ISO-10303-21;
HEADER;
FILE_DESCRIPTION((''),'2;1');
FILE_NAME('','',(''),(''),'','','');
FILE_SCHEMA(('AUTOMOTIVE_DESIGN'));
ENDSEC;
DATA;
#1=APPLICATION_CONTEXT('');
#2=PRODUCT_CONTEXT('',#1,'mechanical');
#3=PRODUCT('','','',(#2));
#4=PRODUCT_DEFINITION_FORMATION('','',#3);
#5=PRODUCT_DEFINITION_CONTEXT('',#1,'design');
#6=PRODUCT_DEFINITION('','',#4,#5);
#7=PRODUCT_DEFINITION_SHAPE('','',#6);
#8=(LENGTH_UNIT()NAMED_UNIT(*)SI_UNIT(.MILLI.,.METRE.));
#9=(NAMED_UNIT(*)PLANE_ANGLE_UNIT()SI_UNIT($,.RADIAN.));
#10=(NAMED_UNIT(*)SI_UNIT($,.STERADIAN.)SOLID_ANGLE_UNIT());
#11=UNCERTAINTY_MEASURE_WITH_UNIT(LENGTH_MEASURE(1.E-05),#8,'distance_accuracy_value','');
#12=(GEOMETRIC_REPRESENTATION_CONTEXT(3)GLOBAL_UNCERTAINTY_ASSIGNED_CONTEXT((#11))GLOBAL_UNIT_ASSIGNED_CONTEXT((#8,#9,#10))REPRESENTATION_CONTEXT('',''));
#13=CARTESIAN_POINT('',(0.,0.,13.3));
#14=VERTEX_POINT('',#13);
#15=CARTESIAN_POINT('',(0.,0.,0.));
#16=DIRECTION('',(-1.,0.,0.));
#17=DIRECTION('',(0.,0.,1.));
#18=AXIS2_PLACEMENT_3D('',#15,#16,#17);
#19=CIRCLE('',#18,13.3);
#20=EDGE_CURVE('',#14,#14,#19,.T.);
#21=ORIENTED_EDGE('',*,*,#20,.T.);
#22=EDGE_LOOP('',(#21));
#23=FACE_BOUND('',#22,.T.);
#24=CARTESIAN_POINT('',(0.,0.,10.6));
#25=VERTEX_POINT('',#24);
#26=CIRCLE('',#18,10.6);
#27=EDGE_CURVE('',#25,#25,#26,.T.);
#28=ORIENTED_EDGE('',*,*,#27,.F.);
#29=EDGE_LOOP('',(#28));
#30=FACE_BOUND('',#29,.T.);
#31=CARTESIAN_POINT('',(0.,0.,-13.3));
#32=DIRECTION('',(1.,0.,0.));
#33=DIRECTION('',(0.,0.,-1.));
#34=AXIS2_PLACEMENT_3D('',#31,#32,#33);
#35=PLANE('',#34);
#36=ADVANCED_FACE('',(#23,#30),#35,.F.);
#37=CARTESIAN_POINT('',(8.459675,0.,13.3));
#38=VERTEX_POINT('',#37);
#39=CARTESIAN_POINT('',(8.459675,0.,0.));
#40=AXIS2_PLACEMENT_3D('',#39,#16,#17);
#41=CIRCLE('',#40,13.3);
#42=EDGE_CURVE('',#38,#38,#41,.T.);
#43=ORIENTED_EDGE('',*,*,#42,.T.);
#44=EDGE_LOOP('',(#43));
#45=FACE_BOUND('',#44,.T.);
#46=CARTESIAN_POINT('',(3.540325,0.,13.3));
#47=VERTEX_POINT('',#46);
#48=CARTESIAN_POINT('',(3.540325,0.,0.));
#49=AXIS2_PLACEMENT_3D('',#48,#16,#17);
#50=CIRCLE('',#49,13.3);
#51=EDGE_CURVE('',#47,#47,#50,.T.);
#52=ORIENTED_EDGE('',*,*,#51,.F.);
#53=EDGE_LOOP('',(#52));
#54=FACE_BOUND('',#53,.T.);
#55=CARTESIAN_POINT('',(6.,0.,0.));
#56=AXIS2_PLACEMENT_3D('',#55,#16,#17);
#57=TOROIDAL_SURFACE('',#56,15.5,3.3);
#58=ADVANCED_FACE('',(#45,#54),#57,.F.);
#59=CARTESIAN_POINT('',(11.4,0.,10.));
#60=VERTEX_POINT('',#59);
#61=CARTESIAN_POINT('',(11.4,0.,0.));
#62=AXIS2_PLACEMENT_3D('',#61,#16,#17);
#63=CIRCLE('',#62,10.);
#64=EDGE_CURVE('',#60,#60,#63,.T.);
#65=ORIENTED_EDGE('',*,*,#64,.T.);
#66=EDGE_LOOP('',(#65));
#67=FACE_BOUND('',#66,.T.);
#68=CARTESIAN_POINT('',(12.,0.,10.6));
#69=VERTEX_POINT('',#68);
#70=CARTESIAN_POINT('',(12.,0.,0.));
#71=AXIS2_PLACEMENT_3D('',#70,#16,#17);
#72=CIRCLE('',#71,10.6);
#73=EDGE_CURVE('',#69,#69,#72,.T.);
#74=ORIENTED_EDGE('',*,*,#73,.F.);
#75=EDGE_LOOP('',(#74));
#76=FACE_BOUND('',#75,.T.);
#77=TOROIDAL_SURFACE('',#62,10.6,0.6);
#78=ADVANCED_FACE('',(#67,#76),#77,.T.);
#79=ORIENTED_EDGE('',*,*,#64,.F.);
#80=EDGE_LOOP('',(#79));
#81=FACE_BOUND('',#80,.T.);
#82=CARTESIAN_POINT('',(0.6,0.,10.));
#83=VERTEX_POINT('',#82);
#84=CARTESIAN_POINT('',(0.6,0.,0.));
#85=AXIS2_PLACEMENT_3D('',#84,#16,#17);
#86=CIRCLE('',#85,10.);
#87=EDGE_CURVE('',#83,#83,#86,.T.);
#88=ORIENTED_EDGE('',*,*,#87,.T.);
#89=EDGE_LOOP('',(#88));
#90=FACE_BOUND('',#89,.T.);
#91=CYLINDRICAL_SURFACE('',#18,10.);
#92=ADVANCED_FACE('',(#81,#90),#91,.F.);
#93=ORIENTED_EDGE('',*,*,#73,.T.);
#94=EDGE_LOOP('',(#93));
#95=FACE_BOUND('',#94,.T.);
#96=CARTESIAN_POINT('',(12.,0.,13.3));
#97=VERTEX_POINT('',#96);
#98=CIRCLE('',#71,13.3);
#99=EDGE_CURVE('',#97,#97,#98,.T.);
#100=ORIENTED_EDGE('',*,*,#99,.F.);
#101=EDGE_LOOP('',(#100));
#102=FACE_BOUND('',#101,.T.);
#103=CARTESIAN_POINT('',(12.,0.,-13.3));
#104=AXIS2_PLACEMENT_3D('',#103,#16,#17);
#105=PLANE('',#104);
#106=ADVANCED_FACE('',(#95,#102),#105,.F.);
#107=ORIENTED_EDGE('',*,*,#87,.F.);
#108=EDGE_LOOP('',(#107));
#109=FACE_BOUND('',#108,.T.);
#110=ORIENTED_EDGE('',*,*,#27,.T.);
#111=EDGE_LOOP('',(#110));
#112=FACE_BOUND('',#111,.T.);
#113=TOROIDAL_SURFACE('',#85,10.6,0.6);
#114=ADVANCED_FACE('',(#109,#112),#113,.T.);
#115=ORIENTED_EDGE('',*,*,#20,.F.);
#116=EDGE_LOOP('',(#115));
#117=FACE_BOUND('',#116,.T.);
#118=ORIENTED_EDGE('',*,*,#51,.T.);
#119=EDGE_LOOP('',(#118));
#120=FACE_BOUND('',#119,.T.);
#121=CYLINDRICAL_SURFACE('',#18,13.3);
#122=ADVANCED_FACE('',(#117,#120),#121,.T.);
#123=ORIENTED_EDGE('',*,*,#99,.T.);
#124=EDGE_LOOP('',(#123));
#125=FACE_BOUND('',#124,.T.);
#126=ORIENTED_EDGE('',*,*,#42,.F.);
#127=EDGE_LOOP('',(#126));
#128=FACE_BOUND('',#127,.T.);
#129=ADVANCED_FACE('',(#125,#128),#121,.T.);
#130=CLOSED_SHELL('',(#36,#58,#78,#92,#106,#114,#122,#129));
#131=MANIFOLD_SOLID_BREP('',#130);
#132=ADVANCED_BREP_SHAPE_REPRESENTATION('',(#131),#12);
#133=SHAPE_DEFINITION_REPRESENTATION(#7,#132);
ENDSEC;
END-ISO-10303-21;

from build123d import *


with BuildPart() as part:
    # Esquisse1 → Base-Révolution (revolve)
    with BuildSketch(Plane(origin=(0, 0, 0), x_dir=(1, 0, 0), z_dir=(0, 1, 0))):
        with BuildLine():
            Line((0, 13.3), (0, 10.6))
            ThreePointArc((0, 10.6), (0.175735931, 10.175735931), (0.6, 10))
            Line((0.6, 10), (11.4, 10))
            ThreePointArc((11.4, 10), (11.824264069, 10.175735931), (12, 10.6))
            Line((12, 10.6), (12, 13.3))
            Line((12, 13.3), (8.459674775, 13.3))
            ThreePointArc((8.459674775, 13.3), (6, 12.2), (3.540325225, 13.3))
            Line((3.540325225, 13.3), (0, 13.3))
        make_face()
    revolve(axis=Axis((0, 0, 0), (1, 0, 0)))


solid = part.part
